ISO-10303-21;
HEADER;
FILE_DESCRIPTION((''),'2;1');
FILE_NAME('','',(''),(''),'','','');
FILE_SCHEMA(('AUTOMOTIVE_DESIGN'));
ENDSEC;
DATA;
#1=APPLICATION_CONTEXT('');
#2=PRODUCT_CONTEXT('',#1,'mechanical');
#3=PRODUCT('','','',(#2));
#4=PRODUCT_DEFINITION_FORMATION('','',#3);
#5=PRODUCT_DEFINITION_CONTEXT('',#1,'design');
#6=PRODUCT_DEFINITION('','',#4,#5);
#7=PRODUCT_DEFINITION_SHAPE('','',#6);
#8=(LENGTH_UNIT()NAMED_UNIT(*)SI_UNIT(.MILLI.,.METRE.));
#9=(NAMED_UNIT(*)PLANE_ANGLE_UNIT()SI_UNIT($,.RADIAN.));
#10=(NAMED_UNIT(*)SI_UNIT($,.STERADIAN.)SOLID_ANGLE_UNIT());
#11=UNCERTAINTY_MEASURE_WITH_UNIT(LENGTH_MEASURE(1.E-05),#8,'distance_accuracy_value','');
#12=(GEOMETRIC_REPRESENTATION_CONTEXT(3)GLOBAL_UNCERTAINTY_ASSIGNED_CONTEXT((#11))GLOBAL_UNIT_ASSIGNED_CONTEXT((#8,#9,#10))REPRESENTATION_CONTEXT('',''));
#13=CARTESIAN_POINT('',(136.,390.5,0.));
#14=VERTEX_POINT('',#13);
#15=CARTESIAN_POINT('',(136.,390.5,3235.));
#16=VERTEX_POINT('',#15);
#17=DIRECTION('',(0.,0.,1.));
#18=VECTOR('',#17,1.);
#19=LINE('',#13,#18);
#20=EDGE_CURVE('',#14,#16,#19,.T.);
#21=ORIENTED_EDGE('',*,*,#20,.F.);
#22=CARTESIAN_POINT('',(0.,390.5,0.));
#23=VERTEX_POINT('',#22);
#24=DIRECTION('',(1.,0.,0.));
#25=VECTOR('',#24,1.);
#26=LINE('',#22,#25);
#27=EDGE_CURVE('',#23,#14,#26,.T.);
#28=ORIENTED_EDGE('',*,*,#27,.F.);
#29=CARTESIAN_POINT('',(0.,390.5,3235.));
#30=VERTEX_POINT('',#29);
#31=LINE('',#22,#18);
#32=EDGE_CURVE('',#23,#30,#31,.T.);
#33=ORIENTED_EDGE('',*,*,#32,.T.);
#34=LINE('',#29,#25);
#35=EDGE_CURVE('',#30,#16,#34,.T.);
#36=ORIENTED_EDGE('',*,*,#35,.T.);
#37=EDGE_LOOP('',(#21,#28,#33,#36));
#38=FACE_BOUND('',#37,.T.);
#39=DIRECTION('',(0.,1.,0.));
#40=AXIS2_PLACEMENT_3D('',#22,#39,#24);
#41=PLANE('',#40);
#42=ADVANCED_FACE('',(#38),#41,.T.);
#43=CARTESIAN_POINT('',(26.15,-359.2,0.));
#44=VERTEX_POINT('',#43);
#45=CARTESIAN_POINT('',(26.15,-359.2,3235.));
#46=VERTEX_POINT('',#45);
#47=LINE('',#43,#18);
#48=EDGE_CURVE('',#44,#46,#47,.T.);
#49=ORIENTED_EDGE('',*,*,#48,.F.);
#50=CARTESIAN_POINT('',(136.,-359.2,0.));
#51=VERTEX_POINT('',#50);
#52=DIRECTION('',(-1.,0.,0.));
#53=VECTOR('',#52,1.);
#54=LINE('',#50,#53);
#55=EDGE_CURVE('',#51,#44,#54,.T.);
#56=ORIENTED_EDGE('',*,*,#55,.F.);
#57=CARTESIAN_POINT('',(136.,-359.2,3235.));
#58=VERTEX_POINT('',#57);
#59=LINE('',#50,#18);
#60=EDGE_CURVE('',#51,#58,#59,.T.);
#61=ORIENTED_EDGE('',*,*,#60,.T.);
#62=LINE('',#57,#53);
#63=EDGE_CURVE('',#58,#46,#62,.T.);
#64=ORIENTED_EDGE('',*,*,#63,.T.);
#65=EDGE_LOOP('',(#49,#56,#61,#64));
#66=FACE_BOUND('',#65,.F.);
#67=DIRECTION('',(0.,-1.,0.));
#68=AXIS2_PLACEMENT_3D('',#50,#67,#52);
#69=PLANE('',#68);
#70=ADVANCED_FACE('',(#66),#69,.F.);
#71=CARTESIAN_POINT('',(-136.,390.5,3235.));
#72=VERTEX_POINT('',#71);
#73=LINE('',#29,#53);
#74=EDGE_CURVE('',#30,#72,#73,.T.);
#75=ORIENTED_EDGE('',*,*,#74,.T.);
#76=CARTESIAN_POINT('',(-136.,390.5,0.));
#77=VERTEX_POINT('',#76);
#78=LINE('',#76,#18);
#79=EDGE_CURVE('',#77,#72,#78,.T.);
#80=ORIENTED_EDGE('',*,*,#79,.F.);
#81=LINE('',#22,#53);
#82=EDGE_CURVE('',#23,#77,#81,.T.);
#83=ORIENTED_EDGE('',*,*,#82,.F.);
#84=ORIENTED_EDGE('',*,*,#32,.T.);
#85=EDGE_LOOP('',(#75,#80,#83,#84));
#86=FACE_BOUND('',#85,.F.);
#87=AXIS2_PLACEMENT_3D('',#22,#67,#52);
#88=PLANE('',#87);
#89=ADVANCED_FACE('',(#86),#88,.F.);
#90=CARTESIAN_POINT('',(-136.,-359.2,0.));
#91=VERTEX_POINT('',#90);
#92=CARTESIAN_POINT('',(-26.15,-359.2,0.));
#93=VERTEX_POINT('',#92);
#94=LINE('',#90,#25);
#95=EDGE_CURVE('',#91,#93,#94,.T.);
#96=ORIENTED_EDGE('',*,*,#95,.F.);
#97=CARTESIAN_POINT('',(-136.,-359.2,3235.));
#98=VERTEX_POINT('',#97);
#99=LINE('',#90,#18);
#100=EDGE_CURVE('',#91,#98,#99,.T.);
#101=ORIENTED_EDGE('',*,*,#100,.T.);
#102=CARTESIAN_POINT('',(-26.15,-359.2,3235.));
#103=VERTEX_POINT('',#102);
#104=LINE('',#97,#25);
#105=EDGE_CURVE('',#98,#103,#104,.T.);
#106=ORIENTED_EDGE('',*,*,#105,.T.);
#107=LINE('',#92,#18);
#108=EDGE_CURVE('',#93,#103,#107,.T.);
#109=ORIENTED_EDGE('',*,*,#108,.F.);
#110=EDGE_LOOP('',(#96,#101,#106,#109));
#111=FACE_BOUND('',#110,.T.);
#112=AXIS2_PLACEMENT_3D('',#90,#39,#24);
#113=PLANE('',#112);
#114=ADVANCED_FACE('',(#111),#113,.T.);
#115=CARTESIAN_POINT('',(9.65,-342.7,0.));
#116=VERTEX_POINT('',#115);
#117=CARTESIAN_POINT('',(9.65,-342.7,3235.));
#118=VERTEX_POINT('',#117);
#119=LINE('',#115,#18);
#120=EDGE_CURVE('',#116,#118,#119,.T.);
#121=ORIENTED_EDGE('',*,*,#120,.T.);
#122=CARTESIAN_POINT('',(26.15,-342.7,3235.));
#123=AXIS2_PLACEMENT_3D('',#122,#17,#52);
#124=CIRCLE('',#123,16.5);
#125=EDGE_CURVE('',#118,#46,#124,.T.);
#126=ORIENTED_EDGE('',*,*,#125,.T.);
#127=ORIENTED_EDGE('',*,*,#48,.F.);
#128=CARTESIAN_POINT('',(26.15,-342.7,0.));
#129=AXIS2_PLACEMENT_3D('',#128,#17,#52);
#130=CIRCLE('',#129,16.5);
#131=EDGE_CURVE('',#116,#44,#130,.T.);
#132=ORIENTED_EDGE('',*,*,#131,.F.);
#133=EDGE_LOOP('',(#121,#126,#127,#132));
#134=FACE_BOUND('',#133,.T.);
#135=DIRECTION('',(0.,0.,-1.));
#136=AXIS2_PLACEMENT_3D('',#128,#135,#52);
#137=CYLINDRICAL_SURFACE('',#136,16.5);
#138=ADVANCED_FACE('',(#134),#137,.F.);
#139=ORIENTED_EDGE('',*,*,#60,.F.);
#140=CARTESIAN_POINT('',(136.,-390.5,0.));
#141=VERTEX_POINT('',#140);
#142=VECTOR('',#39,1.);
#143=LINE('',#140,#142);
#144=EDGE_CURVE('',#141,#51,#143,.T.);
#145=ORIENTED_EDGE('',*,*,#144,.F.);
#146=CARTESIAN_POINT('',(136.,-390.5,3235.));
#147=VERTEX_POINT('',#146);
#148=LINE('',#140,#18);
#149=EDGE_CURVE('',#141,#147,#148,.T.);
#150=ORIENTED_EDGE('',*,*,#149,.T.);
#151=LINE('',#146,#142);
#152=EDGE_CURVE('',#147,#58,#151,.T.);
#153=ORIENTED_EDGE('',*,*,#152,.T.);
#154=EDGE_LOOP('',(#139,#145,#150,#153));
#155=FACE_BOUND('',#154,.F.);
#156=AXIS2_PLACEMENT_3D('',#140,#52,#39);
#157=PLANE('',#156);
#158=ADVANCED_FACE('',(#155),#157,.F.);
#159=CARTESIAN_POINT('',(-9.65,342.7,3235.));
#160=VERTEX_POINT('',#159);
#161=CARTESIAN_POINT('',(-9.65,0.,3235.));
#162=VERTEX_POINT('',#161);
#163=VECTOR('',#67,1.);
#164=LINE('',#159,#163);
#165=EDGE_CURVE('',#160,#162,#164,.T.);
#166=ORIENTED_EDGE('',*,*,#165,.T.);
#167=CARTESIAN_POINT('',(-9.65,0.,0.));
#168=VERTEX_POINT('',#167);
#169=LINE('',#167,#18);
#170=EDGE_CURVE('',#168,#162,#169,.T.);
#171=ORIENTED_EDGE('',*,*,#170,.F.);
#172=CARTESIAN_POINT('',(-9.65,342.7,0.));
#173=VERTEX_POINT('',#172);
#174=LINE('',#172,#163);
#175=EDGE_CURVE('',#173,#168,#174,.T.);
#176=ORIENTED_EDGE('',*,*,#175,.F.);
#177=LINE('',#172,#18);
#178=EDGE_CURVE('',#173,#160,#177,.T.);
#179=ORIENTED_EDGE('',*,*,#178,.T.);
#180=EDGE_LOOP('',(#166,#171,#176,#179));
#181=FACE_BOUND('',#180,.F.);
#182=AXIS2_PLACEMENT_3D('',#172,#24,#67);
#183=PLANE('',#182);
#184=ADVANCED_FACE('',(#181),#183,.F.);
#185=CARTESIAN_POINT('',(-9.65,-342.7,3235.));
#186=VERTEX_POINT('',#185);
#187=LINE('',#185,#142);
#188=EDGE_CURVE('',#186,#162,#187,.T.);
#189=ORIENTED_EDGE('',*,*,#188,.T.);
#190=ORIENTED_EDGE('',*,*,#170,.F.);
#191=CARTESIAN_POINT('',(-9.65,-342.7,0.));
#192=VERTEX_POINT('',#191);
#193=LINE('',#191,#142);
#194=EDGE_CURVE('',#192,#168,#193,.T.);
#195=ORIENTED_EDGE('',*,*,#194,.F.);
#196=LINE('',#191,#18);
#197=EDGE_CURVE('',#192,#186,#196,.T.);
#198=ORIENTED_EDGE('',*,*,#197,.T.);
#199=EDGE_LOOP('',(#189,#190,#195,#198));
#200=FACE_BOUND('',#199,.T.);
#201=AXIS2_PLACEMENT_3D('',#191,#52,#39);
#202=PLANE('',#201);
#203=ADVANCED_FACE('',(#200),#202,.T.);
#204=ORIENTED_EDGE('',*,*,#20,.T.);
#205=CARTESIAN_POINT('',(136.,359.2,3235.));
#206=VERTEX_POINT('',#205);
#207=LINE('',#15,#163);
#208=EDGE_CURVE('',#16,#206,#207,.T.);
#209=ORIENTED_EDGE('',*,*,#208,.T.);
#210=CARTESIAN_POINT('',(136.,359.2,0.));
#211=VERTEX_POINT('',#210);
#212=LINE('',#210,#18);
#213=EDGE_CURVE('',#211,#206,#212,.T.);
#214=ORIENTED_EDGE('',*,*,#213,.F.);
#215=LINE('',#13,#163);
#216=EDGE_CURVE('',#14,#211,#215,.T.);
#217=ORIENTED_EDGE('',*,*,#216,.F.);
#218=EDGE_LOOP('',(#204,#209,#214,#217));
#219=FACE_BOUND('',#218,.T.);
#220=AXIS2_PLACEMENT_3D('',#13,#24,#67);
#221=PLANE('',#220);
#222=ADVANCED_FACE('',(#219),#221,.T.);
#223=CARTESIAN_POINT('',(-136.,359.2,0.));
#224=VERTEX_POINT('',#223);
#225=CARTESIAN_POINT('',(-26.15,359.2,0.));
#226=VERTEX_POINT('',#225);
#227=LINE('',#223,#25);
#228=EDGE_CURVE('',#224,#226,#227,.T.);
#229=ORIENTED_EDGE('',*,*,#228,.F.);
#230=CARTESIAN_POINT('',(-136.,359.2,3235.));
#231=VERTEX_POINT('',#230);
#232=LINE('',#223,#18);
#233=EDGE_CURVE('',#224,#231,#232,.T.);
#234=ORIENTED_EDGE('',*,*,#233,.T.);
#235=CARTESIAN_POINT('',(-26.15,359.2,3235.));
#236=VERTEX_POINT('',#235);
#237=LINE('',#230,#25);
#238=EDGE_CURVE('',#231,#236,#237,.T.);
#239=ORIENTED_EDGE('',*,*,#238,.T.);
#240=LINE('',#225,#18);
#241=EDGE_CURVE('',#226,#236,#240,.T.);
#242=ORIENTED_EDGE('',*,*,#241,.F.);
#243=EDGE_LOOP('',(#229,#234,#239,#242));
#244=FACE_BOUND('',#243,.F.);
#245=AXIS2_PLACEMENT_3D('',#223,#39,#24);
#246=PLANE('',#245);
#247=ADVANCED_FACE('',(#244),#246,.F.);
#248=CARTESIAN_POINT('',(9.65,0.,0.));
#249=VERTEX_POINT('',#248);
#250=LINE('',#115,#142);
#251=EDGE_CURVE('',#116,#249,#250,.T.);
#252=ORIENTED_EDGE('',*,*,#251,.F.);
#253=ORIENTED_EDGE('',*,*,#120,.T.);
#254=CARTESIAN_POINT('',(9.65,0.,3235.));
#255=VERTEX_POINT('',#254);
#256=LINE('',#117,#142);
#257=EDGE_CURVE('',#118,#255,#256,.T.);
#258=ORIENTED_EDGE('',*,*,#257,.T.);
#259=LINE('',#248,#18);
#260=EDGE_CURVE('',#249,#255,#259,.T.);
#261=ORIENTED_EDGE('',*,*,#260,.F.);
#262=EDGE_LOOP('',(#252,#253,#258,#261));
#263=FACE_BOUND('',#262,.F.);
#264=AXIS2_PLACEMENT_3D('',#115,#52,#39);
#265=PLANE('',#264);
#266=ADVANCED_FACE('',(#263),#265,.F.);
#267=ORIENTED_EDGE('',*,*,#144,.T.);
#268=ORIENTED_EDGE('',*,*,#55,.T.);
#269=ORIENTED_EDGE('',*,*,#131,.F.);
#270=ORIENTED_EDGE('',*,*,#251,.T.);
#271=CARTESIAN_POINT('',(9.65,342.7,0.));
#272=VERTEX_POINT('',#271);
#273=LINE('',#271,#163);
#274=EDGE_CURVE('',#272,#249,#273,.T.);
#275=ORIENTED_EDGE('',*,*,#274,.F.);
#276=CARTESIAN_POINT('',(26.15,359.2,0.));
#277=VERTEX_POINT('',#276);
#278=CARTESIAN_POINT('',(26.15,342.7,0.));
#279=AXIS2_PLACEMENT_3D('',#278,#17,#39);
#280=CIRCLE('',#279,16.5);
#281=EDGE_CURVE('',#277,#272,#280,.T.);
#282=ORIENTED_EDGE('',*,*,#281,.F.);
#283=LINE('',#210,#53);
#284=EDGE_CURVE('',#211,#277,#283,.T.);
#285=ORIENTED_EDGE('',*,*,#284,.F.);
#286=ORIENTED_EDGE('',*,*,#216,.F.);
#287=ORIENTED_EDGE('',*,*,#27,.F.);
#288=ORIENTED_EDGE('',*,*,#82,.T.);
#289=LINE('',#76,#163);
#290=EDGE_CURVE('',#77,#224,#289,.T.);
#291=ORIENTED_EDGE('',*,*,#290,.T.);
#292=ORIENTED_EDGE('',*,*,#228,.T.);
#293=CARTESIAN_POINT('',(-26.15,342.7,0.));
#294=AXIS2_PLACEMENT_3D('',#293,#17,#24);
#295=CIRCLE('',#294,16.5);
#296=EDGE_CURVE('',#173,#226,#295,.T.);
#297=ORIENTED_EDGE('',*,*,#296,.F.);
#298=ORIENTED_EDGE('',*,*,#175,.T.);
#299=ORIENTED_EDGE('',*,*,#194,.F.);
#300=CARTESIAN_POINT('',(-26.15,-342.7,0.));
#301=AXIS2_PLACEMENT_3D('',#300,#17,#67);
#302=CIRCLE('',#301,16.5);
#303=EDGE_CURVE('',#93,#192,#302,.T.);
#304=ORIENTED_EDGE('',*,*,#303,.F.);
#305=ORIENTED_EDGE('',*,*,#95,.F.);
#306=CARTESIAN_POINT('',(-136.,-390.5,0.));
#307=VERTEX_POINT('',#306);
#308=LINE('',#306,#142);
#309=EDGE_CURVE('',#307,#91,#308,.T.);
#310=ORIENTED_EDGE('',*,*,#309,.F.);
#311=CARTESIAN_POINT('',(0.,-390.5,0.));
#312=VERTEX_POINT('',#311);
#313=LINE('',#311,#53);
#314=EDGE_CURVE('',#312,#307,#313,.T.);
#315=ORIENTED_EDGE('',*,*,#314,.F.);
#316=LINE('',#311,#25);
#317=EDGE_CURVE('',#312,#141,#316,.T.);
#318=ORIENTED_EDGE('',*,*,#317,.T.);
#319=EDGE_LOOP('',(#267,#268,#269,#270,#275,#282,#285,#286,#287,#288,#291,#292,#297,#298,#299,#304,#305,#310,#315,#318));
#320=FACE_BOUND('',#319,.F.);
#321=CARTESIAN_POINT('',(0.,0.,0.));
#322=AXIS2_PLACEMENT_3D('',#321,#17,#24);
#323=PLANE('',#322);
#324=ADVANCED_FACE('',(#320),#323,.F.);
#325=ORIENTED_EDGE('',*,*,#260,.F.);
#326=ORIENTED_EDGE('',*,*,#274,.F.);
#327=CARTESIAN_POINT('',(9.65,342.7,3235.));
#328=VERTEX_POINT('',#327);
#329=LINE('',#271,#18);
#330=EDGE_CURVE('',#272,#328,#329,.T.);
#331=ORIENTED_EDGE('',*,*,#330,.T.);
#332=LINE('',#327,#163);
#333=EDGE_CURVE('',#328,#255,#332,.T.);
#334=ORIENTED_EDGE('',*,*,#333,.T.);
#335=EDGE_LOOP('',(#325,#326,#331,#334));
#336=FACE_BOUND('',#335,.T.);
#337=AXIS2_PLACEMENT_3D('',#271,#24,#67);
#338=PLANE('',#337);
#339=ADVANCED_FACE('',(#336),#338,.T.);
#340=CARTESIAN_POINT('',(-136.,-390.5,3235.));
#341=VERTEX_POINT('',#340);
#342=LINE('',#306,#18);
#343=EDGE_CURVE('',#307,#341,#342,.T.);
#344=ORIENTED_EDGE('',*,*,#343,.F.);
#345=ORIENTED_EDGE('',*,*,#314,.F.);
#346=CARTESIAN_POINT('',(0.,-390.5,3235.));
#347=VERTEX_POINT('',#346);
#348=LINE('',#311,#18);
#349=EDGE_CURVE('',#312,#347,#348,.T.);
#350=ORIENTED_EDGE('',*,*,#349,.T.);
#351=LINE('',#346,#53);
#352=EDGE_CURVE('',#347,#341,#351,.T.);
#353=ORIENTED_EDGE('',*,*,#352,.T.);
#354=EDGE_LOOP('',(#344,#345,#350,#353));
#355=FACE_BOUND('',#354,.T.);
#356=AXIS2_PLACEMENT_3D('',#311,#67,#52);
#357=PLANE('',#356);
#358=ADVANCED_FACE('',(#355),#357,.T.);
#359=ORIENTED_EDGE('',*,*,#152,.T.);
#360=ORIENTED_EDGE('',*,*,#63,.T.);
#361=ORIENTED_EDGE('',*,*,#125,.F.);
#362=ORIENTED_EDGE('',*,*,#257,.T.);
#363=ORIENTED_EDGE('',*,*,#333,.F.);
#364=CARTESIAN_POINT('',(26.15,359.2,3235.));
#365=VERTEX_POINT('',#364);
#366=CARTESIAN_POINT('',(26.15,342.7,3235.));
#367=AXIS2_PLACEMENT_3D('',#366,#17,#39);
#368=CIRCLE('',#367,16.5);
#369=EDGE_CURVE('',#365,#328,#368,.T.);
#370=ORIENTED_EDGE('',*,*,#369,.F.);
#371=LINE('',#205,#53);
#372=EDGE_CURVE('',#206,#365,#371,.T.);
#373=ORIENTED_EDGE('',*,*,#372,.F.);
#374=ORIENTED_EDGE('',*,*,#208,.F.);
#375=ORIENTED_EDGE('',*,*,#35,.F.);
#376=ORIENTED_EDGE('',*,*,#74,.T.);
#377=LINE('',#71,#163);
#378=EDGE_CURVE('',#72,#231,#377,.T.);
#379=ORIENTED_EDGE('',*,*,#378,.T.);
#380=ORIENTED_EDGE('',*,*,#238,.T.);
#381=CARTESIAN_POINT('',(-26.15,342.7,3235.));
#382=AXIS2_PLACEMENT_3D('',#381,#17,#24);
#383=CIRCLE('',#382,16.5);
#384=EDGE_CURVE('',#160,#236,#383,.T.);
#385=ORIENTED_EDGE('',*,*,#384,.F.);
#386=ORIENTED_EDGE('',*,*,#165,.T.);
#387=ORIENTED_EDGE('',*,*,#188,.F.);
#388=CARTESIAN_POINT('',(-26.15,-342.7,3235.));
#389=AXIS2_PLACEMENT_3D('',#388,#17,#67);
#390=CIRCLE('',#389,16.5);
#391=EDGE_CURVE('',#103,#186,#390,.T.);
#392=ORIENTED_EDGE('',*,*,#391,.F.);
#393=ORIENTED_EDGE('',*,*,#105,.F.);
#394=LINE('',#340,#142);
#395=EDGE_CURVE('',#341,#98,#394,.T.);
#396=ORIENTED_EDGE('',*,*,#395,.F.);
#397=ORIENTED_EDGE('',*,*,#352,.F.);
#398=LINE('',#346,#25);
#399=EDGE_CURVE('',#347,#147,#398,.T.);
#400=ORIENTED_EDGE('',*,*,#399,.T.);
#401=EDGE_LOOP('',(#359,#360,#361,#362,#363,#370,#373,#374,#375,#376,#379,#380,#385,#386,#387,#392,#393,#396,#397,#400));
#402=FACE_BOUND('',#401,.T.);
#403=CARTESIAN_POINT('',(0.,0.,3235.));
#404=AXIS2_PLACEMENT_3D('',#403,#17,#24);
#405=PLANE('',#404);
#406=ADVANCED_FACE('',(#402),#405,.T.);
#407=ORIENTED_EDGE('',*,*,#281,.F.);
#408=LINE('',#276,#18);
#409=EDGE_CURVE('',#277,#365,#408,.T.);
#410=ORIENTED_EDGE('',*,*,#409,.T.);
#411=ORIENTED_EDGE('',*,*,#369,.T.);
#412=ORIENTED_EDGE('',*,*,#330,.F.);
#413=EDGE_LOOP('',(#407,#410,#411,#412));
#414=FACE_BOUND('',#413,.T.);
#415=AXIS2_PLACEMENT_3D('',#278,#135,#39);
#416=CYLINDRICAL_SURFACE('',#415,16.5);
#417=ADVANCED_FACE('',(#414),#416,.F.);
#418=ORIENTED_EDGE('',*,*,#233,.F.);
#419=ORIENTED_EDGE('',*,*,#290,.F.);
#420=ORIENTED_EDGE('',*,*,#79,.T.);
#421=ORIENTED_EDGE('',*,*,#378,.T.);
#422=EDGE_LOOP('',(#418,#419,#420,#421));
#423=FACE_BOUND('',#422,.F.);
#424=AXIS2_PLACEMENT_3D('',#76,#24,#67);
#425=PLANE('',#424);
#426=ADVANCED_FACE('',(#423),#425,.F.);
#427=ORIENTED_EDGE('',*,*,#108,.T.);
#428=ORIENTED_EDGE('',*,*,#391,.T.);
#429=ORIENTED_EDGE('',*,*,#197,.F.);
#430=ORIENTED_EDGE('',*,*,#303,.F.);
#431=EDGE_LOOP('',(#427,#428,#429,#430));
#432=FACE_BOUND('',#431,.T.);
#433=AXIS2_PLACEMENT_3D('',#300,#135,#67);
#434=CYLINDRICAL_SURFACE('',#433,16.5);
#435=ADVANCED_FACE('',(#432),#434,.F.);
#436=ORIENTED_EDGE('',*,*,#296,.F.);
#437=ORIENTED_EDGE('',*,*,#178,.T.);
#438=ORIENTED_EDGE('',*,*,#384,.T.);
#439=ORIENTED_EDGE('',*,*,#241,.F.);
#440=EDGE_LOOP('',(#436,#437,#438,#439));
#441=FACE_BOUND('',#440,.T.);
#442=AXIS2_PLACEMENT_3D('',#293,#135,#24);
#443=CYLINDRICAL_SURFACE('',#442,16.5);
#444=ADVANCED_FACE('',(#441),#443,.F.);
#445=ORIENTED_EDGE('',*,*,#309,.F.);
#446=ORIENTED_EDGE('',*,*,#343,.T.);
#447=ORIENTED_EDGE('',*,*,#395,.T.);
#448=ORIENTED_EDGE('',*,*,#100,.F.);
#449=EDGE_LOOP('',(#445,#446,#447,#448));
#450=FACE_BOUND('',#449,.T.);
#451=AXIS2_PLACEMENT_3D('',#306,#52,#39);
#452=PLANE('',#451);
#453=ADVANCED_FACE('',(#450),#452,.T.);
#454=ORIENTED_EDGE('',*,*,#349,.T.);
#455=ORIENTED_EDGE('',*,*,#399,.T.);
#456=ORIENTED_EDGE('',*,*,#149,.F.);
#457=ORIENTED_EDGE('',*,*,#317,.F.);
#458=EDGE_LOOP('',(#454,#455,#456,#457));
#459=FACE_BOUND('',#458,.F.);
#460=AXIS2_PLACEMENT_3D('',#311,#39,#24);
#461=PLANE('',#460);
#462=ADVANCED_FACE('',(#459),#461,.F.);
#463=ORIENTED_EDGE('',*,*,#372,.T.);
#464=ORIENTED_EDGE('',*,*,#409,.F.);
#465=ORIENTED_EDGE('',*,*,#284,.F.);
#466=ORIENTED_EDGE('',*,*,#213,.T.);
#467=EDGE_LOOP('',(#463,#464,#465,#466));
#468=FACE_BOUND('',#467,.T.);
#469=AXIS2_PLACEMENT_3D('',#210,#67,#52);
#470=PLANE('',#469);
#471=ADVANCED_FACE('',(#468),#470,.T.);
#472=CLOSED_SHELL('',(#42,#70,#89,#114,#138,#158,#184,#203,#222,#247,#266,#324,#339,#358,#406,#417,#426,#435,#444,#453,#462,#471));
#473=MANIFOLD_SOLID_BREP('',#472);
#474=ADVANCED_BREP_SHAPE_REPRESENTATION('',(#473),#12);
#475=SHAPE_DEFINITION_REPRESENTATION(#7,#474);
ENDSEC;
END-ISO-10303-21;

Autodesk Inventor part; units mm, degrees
ref_plane "YZ Plane" through (0, 0, 0) normal (1, 0, 0) x (0, 1, 0)
ref_plane "Start plane" through (0, 0, 0) normal (0, 0, 1) x (1, 0, 0)
ref_plane "End plane" through (0, 0, 3235) normal (0, 0, 1) x (1, 0, 0)
sketch "Sketch" plane through (0, 0, 0) normal (0, 0, 1) x (1, 0, 0)
  line L0 (-136, -390.5) -> (-136, -359.2)
  line L1 (-136, -359.2) -> (-26.15, -359.2)
  line L2 (-9.65, -342.7) -> (-9.65, 0)
  line L3 (-9.65, 0) -> (0, 0) construction
  line L4 (0, 0) -> (0, -390.5) construction
  line L5 (0, -390.5) -> (-136, -390.5)
  line L6 (-60, 0) -> (80, 0) construction
  line L7 (0, -60) -> (0, 80) construction
  line L8 (136, -390.5) -> (136, -359.2)
  line L9 (136, -359.2) -> (26.15, -359.2)
  line L10 (9.65, -342.7) -> (9.65, 0)
  line L11 (9.65, 0) -> (0, 0) construction
  line L12 (0, -390.5) -> (136, -390.5)
  line L13 (-136, 390.5) -> (-136, 359.2)
  line L14 (-136, 359.2) -> (-26.15, 359.2)
  line L15 (-9.65, 342.7) -> (-9.65, 0)
  line L16 (0, 390.5) -> (-136, 390.5)
  line L17 (136, 390.5) -> (136, 359.2)
  line L18 (136, 359.2) -> (26.15, 359.2)
  line L19 (0, 390.5) -> (136, 390.5)
  line L20 (9.65, 342.7) -> (9.65, 0)
  arc A0 (-9.65, 342.7) -> (-26.15, 359.2) centre (-26.15, 342.7) ccw
  arc A1 (26.15, 359.2) -> (9.65, 342.7) centre (26.15, 342.7) ccw
  arc A2 (9.65, -342.7) -> (26.15, -359.2) centre (26.15, -342.7) ccw
  arc A3 (-26.15, -359.2) -> (-9.65, -342.7) centre (-26.15, -342.7) ccw
  line L21 (0, 108) -> (0, -88) construction
  line L22 (-88, 0) -> (108, 0) construction
  point P0 (-9.65, -359.2)
  point P1 (9.65, -359.2)
  point P2 (-9.65, 359.2)
  point P3 (9.65, 359.2)
  dimension "d1" = 390.5
  dimension "d2" = 31.3
  dimension "d3" = 136
  dimension "d4" = 9.65
  dimension "d10" = 16.5
extrude "Body" add sketch "Sketch" along normal up to surface (3235 mm away) from surface at 0
sketch "Sketch4" plane through (0, 0, 0) normal (0, 0, 1) x (1, 0, 0)
  line L0 (0, 0) -> (10, 0)
ref_plane "Work Plane3" through (0, 0, 0) normal (0, -1, 0) x (1, 0, 0)
sketch "Sketch5" plane through (0, 0, 0) normal (0, -1, 0) x (1, 0, 0)
  line L0 (-2, 0) -> (12, 0) projected
  line L1 (-2, 3235) -> (12, 3235) projected
  dimension "d14" = 3235
equation "\"d1\" = 0.5 * G_H"
equation "\"d2\" = G_T1"
equation "\"d3\" = 0.5 * G_W"
equation "\"d4\" = 0.5 * G_T"
equation "\"d10\" = G_IR"
equation "\"d5\" = G_L"
equation "\"G_W\" = 272"
equation "\"G_H\" = 781"
equation "\"G_T\" = 19.3"
equation "\"G_T1\" = 31.3"
equation "\"G_IR\" = 16.5"
equation "\"G_L\" = d14"
equation "\"G_OFFSET_START\" = 0"
equation "\"G_OFFSET_END\" = 0"
equation "\"d12\" = G_OFFSET_END + B_L"
equation "\"B_L\" = 3235"
properties part number "AS 3679-1990 - 760 UB - 244 - 3235" material "Steel, Mild"
